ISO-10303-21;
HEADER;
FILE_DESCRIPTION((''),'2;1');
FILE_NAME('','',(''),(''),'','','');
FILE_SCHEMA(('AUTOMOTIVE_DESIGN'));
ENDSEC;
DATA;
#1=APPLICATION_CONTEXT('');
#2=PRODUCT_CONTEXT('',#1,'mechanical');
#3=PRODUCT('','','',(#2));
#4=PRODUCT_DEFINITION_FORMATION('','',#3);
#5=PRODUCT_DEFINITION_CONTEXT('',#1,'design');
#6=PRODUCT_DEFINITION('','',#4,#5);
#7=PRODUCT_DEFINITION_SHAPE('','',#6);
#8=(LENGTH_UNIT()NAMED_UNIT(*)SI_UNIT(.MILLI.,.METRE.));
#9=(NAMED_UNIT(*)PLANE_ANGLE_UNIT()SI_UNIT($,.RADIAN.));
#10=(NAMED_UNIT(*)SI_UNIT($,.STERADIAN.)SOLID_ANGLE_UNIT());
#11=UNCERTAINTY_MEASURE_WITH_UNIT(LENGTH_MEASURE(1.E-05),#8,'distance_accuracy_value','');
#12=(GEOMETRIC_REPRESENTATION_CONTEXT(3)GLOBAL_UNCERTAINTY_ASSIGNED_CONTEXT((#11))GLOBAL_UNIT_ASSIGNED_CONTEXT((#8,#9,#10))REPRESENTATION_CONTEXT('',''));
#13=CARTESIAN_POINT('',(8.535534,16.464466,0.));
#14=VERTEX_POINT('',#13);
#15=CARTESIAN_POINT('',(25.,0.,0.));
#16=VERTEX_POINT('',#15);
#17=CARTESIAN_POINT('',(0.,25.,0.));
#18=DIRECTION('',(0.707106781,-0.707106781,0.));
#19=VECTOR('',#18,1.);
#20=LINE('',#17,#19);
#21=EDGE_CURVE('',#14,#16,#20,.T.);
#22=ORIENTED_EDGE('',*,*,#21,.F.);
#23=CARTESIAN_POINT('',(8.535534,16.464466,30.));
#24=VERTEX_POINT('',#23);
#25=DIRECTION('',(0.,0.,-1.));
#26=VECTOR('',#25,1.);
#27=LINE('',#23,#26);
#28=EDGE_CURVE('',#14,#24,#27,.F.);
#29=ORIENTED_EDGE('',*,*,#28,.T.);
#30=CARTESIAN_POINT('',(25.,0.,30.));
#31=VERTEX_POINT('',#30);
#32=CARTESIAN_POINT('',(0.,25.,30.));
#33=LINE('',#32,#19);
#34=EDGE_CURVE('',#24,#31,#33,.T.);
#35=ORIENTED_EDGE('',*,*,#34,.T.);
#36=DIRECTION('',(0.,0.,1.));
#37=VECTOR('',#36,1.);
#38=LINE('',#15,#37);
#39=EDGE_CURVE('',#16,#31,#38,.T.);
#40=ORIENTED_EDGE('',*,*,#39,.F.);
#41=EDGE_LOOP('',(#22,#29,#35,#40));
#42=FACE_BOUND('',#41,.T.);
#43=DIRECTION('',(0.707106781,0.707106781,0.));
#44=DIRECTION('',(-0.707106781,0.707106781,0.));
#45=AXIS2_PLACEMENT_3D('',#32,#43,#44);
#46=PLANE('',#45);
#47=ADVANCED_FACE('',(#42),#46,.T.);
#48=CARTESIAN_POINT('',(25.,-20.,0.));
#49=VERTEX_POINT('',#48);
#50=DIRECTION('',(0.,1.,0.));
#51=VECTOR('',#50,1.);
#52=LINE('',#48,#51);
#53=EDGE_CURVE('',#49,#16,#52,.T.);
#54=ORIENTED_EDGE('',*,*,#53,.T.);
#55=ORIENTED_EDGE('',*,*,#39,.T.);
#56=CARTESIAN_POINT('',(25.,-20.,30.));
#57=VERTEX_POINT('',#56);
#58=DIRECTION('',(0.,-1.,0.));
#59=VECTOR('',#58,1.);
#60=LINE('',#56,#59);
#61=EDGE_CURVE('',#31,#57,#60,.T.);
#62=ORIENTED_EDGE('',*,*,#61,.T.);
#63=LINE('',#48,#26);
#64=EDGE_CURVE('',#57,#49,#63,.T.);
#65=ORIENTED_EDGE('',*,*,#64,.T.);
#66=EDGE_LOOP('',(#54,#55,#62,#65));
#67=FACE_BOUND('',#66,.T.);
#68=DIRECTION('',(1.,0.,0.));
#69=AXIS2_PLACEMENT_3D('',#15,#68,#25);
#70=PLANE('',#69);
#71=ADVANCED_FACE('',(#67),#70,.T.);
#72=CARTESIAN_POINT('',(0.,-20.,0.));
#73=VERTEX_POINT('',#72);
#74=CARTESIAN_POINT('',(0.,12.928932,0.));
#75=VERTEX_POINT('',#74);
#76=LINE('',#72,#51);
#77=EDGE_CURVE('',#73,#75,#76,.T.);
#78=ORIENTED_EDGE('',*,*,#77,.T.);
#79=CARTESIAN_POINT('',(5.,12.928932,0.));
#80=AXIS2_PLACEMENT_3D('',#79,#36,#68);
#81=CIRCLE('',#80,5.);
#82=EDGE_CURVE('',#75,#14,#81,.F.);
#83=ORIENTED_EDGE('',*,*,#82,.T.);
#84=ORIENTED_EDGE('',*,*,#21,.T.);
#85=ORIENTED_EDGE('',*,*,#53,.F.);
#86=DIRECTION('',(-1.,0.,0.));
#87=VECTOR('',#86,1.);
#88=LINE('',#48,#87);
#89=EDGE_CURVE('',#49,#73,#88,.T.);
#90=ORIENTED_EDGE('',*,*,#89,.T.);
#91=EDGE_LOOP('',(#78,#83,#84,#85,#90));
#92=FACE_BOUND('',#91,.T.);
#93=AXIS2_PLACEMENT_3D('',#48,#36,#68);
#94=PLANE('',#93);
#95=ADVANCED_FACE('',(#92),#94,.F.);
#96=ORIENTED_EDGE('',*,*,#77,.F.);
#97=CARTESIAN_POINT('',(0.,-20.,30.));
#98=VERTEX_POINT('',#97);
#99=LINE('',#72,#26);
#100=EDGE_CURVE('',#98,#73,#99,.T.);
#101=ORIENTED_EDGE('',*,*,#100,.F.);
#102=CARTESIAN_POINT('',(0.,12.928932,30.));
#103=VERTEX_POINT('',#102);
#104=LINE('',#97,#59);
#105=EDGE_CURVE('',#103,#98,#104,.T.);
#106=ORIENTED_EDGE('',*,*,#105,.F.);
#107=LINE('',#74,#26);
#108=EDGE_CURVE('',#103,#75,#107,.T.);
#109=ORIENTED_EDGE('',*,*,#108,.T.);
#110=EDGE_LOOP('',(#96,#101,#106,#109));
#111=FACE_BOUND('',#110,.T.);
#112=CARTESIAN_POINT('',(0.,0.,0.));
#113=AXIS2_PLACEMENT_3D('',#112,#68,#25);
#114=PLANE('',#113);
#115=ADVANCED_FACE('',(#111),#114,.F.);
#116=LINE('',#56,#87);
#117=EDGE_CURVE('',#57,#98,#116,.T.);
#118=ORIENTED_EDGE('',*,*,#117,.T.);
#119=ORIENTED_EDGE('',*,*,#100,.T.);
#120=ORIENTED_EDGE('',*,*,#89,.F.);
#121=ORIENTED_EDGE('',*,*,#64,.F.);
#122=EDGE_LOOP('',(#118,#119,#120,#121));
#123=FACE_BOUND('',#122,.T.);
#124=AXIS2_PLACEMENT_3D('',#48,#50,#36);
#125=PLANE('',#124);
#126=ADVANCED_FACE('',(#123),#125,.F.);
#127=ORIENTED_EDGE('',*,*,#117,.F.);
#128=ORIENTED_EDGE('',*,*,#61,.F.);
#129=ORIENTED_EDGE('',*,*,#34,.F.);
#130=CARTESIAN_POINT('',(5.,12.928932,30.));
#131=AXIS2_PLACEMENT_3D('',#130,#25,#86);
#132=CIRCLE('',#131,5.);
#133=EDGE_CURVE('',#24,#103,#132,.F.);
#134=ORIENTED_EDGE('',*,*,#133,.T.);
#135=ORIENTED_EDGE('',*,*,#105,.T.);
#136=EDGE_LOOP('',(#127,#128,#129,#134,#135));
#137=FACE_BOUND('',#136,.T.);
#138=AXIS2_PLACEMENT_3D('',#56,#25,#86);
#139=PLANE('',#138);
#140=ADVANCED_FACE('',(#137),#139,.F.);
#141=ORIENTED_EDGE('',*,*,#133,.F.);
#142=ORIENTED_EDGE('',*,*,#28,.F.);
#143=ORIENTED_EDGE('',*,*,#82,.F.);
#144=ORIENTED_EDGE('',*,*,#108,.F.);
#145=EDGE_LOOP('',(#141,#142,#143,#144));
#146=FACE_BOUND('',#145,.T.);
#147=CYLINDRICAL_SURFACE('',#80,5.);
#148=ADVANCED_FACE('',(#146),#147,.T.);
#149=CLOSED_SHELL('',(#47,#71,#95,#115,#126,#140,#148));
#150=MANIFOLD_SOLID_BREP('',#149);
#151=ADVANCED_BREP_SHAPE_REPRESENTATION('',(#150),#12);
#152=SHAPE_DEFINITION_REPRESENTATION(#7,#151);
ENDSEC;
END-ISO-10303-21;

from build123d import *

# Parameters (mm, degrees)
CROQUIS2_W              = 30
CROQUIS2_H              = 20
SALIENTE_EXTRUIR2_DEPTH = 25
SALIENTE_EXTRUIR3_DEPTH = 30
REDONDEO1_R             = 5


with BuildPart() as part:
    # Croquis2 → Saliente-Extruir2 (new body)
    with BuildSketch(Plane(origin=(0, 0, 0), x_dir=(0, 0, -1), z_dir=(1, 0, 0))):
        with Locations((-15, -10)):
            Rectangle(CROQUIS2_W, CROQUIS2_H)
    extrude(amount=SALIENTE_EXTRUIR2_DEPTH)

    # Croquis3 → Saliente-Extruir3 (add, through all)
    with BuildSketch(Plane(origin=(0, 0, 0), x_dir=(-1, 0, 0), z_dir=(0, 0, -1))):
        Polygon((0, 0), (0, 25), (-25, 0), align=None)
    extrude(amount=-SALIENTE_EXTRUIR3_DEPTH)

    # Redondeo1
    redondeo1_edges = [part.edges().sort_by_distance(p)[0] for p in [
        (0, 25, 15),
    ]]
    fillet(redondeo1_edges, radius=REDONDEO1_R)


solid = part.part
